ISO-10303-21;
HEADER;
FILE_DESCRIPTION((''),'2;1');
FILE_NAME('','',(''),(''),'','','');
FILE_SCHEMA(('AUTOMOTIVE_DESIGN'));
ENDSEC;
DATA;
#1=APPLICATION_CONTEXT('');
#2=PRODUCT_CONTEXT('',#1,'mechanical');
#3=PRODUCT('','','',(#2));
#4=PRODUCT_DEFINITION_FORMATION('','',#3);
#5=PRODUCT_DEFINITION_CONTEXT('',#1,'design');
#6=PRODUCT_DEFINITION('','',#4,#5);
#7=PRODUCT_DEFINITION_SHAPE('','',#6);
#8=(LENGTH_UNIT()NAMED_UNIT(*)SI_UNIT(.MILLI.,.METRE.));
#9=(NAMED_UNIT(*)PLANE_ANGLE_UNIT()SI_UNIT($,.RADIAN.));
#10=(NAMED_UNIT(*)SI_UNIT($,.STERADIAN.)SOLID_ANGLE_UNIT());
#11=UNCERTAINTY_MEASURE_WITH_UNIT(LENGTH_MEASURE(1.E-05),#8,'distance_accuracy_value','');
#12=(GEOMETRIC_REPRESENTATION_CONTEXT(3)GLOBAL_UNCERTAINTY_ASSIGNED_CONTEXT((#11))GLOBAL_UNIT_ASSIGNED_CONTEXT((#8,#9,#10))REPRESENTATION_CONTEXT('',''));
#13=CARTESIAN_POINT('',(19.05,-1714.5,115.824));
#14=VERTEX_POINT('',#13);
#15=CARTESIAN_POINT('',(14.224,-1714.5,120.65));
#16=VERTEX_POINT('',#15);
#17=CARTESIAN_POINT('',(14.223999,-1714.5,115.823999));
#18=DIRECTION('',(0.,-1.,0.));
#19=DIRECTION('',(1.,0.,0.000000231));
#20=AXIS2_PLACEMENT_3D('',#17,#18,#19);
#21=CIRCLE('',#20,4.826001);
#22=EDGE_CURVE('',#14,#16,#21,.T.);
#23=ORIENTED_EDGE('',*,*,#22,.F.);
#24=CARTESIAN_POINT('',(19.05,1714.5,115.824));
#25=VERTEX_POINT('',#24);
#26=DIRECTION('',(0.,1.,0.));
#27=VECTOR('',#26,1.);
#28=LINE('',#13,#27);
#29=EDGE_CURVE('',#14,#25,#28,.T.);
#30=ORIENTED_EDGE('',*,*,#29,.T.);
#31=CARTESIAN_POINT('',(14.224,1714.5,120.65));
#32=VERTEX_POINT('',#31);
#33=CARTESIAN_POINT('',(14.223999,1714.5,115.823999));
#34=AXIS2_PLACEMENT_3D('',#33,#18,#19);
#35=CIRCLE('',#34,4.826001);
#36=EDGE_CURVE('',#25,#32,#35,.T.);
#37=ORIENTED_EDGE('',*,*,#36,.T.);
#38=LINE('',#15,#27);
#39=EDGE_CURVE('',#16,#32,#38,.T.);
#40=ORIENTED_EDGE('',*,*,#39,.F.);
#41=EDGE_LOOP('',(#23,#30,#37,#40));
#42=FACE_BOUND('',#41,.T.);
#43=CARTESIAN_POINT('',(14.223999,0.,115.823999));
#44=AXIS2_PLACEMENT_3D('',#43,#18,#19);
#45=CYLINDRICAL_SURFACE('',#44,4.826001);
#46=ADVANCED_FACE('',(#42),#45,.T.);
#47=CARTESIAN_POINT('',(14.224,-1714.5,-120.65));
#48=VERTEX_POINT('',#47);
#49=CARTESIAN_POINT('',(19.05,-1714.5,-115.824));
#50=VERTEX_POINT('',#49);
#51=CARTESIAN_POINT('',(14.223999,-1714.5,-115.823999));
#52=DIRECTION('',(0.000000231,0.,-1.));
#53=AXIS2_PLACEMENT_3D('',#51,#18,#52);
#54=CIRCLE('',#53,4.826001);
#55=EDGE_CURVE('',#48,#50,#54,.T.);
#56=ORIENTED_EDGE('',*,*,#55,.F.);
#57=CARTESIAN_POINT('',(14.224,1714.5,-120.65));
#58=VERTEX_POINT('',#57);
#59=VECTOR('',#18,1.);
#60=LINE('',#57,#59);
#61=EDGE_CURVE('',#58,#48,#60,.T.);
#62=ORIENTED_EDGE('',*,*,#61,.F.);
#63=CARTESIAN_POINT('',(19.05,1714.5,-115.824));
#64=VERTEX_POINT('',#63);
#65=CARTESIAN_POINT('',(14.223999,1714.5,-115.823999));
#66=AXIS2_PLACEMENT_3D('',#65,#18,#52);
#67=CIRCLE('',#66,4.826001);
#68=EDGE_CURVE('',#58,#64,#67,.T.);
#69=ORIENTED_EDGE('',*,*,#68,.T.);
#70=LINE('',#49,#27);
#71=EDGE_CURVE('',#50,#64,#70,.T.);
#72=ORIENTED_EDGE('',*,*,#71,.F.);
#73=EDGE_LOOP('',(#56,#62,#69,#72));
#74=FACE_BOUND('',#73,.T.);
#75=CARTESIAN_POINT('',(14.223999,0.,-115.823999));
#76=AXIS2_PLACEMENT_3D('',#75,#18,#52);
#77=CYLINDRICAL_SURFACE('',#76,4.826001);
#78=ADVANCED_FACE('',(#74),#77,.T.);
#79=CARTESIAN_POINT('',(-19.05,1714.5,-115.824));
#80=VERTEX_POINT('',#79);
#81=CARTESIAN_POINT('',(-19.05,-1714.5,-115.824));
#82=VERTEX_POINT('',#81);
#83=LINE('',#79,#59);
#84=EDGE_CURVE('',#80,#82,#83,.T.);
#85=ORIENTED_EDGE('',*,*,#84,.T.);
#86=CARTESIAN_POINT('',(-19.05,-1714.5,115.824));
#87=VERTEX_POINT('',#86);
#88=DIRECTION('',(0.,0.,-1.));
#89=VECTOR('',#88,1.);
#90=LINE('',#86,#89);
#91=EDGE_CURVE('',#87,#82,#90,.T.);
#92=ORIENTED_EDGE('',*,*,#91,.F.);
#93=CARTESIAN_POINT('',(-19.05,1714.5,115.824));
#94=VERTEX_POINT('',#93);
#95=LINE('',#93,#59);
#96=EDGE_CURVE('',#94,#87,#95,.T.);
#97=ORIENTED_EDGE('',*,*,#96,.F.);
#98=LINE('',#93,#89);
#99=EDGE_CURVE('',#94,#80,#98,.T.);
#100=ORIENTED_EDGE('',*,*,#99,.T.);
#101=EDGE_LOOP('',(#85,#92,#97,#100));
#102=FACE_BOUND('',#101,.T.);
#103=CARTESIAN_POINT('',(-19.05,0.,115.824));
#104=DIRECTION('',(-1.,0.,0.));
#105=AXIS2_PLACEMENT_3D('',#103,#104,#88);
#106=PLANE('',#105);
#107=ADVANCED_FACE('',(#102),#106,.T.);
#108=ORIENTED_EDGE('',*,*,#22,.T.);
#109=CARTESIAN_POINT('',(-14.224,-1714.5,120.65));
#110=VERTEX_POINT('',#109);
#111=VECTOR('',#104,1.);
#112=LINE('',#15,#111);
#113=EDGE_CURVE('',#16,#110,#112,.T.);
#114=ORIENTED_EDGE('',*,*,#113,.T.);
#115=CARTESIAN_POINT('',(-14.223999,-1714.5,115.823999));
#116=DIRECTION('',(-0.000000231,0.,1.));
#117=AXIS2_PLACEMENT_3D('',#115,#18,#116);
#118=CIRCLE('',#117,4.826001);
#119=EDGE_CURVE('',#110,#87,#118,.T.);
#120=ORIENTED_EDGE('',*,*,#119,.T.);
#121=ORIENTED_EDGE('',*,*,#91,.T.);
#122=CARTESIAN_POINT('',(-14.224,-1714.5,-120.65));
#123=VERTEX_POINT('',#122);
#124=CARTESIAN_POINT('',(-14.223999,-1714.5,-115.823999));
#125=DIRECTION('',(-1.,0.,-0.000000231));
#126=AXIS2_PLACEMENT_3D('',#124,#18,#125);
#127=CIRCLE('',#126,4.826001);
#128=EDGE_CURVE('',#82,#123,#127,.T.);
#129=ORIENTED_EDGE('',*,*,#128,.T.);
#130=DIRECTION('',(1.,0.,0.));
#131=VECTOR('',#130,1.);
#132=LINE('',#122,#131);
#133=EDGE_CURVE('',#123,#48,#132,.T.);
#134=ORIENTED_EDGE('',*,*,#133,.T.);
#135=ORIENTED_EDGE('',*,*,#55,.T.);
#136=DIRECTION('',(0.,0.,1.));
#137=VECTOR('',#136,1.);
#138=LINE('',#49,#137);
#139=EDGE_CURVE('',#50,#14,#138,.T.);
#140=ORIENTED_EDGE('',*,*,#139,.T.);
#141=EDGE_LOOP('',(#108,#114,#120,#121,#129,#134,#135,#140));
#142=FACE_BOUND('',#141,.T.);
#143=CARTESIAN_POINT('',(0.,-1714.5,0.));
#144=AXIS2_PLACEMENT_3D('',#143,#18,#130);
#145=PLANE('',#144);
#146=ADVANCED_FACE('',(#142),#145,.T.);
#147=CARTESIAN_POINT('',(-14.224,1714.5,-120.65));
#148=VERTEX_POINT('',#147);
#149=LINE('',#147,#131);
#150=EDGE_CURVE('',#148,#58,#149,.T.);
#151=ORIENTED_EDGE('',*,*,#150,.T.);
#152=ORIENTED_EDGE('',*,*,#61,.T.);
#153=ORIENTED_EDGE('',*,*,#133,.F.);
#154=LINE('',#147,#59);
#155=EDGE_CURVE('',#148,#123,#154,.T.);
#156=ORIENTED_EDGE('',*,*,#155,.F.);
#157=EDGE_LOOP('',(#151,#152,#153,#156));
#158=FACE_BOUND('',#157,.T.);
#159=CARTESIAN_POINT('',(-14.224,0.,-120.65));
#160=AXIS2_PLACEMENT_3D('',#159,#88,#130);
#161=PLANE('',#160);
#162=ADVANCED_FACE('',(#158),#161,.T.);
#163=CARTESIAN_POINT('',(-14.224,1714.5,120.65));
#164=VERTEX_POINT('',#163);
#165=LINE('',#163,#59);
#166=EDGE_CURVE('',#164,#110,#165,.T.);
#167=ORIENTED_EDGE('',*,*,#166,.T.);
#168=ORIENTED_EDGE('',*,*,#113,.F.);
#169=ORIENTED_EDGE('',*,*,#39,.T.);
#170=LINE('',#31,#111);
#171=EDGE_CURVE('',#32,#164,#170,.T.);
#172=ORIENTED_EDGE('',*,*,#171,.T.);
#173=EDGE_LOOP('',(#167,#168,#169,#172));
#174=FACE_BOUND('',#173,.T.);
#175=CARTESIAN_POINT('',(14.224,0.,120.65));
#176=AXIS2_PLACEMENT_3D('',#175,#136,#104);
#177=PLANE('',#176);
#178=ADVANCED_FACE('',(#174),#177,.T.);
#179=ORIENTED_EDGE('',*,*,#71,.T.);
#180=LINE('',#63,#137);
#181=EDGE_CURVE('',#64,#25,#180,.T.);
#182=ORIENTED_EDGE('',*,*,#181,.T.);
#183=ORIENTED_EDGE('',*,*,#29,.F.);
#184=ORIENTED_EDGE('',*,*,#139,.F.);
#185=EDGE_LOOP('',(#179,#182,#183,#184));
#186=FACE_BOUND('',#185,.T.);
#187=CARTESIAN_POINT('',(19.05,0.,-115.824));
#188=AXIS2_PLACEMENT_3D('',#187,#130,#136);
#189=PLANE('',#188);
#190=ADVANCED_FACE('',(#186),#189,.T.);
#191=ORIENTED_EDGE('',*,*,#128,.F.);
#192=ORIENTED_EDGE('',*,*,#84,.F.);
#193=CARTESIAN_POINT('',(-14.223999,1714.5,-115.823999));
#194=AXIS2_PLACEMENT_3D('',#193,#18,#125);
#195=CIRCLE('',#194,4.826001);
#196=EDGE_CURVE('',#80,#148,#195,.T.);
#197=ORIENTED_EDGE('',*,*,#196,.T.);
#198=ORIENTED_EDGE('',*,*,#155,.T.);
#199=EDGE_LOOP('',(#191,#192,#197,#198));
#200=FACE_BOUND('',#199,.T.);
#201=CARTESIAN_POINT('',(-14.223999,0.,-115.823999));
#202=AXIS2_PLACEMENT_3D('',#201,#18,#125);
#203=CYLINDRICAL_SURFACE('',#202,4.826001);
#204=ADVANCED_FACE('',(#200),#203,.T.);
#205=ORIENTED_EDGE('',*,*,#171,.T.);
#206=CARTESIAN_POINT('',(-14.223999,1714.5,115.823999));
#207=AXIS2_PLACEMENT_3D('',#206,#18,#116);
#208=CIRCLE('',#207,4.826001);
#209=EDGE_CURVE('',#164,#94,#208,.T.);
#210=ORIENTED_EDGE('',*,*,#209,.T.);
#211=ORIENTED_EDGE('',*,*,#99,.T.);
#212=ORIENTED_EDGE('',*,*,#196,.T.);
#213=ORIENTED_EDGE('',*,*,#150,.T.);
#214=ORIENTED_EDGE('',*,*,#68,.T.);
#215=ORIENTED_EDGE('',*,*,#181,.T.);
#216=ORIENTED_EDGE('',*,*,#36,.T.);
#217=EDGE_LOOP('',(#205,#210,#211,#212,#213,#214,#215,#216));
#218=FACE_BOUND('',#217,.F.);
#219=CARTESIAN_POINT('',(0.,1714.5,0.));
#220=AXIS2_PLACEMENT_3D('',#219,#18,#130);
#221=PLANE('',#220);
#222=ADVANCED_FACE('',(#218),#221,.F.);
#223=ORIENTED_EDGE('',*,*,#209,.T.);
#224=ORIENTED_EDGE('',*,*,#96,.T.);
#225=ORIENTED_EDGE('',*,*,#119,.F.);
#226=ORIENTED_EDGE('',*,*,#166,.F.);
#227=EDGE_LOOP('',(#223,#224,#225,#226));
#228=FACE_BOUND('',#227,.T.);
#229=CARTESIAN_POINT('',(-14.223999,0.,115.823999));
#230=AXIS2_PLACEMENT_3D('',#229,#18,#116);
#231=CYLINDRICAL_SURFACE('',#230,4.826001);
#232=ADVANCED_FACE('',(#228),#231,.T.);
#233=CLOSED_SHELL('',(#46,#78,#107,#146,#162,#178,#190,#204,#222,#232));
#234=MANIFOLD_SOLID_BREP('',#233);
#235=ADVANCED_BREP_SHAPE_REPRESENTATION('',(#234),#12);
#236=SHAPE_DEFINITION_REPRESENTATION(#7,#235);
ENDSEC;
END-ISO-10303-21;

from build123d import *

# Parameters (mm, degrees)
F1_DEPTH = 1714.5


with BuildPart() as f1:
    # F0 (on Front) → F1 (new body, symmetric)
    with BuildSketch(Plane.XZ):
        with BuildLine():
            Line((14.224, 120.65), (-14.224, 120.65))
            ThreePointArc((-14.224, 120.65), (-17.636497, 119.236497), (-19.05, 115.824))
            Line((-19.05, 115.824), (-19.05, -115.824))
            ThreePointArc((-19.05, -115.824), (-17.636497, -119.236497), (-14.224, -120.65))
            Line((-14.224, -120.65), (14.224, -120.65))
            ThreePointArc((14.224, -120.65), (17.636497, -119.236497), (19.05, -115.824))
            Line((19.05, -115.824), (19.05, 115.824))
            ThreePointArc((19.05, 115.824), (17.636497, 119.236497), (14.224, 120.65))
        make_face()
    extrude(amount=F1_DEPTH, both=True)


solid = f1.part
